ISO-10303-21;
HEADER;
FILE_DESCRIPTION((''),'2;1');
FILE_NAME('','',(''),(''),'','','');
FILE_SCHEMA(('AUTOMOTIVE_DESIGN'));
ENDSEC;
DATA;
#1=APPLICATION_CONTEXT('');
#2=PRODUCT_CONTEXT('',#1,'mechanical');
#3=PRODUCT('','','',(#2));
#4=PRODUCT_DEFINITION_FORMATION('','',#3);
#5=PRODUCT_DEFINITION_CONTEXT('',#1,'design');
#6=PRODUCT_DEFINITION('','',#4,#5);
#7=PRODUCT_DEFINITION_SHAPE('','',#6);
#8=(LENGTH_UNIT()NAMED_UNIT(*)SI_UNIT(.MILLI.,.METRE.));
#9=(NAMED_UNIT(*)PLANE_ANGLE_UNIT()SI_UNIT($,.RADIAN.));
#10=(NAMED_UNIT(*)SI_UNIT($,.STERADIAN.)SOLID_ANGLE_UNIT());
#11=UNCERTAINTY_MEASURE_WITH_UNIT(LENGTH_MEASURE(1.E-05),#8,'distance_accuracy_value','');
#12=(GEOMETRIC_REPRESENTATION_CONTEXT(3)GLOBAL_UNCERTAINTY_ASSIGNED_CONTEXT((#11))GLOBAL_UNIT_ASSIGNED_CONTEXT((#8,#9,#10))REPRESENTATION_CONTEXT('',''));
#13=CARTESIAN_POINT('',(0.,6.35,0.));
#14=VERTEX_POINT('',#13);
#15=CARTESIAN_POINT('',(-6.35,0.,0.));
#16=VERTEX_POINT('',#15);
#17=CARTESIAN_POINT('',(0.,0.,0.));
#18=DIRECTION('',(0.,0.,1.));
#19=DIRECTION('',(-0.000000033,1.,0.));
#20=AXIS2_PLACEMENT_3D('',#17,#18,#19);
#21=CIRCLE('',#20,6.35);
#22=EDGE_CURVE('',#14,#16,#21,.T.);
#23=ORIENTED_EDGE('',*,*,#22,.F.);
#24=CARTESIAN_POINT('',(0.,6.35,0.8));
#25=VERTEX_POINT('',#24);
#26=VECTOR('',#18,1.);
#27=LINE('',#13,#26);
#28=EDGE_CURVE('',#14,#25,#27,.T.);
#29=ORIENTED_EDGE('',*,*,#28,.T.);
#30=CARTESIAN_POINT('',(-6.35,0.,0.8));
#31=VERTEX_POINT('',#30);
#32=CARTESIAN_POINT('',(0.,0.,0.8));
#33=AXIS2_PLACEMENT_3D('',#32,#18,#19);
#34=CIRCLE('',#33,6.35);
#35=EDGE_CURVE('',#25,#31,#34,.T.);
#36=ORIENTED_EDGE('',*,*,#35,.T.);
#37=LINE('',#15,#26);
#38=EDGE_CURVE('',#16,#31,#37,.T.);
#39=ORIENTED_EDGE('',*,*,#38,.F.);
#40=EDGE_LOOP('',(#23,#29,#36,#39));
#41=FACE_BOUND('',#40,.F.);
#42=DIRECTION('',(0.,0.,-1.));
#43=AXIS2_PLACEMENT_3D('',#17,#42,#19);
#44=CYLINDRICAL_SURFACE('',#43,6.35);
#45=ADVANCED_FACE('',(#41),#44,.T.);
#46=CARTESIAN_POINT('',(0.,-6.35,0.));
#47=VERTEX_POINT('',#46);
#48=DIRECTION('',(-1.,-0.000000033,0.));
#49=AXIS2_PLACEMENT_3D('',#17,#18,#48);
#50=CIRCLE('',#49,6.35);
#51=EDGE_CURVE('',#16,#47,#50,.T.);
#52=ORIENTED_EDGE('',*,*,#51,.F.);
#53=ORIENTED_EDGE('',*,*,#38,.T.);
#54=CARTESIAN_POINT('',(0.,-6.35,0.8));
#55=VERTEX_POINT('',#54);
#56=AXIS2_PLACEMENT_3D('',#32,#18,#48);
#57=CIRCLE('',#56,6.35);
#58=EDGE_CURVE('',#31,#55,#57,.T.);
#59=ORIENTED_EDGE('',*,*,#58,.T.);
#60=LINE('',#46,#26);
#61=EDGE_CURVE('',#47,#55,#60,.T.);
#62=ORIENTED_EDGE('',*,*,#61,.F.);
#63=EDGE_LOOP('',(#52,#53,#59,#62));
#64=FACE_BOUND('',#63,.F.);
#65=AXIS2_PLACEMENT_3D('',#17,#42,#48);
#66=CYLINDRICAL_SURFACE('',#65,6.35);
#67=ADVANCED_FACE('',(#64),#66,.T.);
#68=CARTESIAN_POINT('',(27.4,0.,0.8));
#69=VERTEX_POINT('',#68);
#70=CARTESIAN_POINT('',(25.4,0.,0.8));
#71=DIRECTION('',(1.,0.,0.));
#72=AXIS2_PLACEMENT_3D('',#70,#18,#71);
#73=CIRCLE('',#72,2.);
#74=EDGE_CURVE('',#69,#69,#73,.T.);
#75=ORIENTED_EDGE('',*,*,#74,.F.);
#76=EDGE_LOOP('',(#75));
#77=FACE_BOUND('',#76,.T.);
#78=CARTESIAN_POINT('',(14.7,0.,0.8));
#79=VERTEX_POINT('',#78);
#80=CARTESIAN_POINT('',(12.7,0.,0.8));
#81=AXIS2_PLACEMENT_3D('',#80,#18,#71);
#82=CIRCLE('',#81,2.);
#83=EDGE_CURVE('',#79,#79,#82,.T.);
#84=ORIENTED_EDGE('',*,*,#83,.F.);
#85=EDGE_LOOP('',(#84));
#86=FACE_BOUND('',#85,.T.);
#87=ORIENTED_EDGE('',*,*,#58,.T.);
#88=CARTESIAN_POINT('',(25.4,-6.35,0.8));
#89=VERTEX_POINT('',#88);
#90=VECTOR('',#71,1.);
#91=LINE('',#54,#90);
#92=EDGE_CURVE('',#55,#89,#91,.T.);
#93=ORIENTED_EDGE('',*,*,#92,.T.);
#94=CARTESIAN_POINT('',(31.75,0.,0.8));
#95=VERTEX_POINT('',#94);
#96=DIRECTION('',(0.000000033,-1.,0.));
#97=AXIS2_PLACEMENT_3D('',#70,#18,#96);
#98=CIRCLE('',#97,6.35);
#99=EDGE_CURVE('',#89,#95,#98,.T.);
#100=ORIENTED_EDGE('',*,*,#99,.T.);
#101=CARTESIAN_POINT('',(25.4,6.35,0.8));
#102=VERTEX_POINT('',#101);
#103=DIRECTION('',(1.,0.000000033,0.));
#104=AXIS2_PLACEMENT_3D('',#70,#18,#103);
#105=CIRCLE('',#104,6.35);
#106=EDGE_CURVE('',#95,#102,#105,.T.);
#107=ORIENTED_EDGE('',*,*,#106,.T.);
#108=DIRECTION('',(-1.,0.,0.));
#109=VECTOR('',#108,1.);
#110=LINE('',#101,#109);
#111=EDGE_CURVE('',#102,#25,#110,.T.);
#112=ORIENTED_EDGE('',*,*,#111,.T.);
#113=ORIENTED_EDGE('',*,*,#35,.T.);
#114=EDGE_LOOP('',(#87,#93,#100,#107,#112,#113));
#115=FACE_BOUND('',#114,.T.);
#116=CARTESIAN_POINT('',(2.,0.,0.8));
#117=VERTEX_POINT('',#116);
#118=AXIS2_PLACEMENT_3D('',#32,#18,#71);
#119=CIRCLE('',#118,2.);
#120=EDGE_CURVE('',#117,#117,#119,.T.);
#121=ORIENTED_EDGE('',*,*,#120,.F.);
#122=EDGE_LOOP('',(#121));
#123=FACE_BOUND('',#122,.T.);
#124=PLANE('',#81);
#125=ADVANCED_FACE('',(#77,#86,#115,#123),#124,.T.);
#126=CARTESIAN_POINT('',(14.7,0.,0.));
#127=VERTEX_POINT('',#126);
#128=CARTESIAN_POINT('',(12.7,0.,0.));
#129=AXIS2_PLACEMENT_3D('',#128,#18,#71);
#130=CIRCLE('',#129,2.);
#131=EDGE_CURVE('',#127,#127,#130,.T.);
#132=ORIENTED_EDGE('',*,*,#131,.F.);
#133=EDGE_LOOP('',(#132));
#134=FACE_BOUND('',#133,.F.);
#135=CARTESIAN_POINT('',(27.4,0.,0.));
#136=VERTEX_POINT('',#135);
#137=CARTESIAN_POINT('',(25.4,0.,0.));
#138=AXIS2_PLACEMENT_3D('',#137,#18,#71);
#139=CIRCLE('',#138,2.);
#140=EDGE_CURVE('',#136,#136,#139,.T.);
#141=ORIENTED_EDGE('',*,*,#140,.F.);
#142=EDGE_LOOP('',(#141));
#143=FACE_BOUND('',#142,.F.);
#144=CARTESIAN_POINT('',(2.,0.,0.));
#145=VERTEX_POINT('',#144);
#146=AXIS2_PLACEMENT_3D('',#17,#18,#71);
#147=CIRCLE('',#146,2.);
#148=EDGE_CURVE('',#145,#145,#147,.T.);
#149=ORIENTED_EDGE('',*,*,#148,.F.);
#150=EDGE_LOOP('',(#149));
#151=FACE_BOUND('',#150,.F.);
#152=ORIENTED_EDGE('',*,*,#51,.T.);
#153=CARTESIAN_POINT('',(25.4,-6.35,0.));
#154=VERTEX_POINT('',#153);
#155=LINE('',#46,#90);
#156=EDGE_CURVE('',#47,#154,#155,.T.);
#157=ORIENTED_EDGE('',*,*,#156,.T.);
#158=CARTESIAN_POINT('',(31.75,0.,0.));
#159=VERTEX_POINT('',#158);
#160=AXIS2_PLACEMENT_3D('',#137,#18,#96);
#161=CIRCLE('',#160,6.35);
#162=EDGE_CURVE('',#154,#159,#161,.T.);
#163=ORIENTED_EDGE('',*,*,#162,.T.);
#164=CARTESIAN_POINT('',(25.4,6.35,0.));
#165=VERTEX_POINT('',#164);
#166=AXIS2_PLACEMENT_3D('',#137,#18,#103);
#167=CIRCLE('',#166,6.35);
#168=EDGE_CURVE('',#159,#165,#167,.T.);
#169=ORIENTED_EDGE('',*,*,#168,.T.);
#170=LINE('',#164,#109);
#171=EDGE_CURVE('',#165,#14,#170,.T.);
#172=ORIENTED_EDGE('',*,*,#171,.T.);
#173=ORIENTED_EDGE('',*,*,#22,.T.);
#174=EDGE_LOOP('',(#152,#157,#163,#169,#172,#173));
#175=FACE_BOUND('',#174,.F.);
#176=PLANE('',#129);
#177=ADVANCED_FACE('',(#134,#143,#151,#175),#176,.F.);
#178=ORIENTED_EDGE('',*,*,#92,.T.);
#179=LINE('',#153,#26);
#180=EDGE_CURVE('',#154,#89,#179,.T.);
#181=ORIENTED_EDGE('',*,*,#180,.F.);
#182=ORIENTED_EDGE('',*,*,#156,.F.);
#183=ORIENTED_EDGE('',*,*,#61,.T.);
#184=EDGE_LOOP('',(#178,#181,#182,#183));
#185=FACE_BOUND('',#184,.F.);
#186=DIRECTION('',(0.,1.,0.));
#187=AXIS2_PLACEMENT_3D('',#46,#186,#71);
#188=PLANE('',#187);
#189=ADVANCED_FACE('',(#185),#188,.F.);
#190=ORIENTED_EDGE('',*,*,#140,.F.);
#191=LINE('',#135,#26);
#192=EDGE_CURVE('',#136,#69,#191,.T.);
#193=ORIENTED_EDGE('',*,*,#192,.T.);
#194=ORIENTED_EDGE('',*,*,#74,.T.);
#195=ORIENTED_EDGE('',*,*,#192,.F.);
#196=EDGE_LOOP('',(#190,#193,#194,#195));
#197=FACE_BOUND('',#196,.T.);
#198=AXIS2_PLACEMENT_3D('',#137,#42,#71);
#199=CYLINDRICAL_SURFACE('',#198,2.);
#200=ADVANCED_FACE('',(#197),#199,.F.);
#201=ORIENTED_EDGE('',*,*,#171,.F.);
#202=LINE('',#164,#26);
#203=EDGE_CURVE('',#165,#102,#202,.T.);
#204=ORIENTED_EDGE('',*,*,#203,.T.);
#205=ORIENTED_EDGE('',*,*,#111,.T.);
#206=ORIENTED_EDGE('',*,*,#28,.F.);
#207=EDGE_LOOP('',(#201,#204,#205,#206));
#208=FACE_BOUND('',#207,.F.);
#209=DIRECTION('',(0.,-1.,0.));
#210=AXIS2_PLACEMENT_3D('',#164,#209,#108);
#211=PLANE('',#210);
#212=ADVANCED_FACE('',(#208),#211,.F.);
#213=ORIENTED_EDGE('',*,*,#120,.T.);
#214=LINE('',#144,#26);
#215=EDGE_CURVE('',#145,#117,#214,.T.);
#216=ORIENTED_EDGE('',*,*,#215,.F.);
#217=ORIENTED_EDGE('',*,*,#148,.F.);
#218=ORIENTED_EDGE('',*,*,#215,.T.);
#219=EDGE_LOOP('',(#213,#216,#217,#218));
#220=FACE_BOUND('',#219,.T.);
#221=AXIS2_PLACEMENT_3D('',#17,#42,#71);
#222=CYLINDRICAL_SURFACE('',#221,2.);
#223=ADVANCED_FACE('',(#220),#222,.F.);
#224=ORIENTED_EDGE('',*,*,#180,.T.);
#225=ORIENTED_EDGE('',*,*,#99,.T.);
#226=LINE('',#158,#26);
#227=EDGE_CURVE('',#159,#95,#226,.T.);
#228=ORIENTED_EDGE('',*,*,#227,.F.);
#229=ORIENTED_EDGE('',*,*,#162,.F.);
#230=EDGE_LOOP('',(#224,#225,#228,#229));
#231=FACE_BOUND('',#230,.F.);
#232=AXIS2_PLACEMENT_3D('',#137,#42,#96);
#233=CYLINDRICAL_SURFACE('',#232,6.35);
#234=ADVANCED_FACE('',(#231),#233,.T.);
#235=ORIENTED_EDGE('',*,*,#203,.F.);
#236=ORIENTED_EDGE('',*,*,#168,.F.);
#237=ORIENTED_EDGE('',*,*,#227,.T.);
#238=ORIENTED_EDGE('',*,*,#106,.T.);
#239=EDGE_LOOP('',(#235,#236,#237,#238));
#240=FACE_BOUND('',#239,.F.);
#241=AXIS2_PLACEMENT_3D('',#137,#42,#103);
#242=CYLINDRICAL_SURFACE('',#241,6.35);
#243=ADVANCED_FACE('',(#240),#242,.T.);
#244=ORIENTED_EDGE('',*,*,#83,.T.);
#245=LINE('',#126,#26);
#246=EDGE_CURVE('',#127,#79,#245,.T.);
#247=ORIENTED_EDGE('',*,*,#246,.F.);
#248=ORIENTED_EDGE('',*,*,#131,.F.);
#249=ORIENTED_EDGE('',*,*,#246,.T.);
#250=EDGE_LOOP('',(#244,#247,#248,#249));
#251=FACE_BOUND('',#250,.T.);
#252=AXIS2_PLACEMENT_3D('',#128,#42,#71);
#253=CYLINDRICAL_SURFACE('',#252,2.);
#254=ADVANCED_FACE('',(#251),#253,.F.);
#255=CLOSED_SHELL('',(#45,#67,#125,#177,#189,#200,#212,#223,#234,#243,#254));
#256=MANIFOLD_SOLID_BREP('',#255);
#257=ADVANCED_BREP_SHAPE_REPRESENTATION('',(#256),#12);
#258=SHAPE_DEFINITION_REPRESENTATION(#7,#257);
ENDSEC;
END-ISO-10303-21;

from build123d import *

# Parameters (mm, degrees)
F0_R     = 2
F1_DEPTH = 0.8


with BuildPart() as f1:
    # F0 (on Top) → F1 (new body)
    with BuildSketch(Plane.XY):
        with BuildLine():
            Line((0, -6.35), (25.4, -6.35))
            ThreePointArc((25.4, -6.35), (29.890128, -4.490128), (31.75, 0))
            ThreePointArc((31.75, 0), (29.890128, 4.490128), (25.4, 6.35))
            Line((25.4, 6.35), (0, 6.35))
            ThreePointArc((0, 6.35), (-4.490128, 4.490128), (-6.35, 0))
            ThreePointArc((-6.35, 0), (-4.490128, -4.490128), (0, -6.35))
        make_face()
        Circle(F0_R, mode=Mode.SUBTRACT)
        with Locations((12.7, 0)):
            Circle(F0_R, mode=Mode.SUBTRACT)
        with Locations((25.4, 0)):
            Circle(F0_R, mode=Mode.SUBTRACT)
    extrude(amount=F1_DEPTH)


solid = f1.part
